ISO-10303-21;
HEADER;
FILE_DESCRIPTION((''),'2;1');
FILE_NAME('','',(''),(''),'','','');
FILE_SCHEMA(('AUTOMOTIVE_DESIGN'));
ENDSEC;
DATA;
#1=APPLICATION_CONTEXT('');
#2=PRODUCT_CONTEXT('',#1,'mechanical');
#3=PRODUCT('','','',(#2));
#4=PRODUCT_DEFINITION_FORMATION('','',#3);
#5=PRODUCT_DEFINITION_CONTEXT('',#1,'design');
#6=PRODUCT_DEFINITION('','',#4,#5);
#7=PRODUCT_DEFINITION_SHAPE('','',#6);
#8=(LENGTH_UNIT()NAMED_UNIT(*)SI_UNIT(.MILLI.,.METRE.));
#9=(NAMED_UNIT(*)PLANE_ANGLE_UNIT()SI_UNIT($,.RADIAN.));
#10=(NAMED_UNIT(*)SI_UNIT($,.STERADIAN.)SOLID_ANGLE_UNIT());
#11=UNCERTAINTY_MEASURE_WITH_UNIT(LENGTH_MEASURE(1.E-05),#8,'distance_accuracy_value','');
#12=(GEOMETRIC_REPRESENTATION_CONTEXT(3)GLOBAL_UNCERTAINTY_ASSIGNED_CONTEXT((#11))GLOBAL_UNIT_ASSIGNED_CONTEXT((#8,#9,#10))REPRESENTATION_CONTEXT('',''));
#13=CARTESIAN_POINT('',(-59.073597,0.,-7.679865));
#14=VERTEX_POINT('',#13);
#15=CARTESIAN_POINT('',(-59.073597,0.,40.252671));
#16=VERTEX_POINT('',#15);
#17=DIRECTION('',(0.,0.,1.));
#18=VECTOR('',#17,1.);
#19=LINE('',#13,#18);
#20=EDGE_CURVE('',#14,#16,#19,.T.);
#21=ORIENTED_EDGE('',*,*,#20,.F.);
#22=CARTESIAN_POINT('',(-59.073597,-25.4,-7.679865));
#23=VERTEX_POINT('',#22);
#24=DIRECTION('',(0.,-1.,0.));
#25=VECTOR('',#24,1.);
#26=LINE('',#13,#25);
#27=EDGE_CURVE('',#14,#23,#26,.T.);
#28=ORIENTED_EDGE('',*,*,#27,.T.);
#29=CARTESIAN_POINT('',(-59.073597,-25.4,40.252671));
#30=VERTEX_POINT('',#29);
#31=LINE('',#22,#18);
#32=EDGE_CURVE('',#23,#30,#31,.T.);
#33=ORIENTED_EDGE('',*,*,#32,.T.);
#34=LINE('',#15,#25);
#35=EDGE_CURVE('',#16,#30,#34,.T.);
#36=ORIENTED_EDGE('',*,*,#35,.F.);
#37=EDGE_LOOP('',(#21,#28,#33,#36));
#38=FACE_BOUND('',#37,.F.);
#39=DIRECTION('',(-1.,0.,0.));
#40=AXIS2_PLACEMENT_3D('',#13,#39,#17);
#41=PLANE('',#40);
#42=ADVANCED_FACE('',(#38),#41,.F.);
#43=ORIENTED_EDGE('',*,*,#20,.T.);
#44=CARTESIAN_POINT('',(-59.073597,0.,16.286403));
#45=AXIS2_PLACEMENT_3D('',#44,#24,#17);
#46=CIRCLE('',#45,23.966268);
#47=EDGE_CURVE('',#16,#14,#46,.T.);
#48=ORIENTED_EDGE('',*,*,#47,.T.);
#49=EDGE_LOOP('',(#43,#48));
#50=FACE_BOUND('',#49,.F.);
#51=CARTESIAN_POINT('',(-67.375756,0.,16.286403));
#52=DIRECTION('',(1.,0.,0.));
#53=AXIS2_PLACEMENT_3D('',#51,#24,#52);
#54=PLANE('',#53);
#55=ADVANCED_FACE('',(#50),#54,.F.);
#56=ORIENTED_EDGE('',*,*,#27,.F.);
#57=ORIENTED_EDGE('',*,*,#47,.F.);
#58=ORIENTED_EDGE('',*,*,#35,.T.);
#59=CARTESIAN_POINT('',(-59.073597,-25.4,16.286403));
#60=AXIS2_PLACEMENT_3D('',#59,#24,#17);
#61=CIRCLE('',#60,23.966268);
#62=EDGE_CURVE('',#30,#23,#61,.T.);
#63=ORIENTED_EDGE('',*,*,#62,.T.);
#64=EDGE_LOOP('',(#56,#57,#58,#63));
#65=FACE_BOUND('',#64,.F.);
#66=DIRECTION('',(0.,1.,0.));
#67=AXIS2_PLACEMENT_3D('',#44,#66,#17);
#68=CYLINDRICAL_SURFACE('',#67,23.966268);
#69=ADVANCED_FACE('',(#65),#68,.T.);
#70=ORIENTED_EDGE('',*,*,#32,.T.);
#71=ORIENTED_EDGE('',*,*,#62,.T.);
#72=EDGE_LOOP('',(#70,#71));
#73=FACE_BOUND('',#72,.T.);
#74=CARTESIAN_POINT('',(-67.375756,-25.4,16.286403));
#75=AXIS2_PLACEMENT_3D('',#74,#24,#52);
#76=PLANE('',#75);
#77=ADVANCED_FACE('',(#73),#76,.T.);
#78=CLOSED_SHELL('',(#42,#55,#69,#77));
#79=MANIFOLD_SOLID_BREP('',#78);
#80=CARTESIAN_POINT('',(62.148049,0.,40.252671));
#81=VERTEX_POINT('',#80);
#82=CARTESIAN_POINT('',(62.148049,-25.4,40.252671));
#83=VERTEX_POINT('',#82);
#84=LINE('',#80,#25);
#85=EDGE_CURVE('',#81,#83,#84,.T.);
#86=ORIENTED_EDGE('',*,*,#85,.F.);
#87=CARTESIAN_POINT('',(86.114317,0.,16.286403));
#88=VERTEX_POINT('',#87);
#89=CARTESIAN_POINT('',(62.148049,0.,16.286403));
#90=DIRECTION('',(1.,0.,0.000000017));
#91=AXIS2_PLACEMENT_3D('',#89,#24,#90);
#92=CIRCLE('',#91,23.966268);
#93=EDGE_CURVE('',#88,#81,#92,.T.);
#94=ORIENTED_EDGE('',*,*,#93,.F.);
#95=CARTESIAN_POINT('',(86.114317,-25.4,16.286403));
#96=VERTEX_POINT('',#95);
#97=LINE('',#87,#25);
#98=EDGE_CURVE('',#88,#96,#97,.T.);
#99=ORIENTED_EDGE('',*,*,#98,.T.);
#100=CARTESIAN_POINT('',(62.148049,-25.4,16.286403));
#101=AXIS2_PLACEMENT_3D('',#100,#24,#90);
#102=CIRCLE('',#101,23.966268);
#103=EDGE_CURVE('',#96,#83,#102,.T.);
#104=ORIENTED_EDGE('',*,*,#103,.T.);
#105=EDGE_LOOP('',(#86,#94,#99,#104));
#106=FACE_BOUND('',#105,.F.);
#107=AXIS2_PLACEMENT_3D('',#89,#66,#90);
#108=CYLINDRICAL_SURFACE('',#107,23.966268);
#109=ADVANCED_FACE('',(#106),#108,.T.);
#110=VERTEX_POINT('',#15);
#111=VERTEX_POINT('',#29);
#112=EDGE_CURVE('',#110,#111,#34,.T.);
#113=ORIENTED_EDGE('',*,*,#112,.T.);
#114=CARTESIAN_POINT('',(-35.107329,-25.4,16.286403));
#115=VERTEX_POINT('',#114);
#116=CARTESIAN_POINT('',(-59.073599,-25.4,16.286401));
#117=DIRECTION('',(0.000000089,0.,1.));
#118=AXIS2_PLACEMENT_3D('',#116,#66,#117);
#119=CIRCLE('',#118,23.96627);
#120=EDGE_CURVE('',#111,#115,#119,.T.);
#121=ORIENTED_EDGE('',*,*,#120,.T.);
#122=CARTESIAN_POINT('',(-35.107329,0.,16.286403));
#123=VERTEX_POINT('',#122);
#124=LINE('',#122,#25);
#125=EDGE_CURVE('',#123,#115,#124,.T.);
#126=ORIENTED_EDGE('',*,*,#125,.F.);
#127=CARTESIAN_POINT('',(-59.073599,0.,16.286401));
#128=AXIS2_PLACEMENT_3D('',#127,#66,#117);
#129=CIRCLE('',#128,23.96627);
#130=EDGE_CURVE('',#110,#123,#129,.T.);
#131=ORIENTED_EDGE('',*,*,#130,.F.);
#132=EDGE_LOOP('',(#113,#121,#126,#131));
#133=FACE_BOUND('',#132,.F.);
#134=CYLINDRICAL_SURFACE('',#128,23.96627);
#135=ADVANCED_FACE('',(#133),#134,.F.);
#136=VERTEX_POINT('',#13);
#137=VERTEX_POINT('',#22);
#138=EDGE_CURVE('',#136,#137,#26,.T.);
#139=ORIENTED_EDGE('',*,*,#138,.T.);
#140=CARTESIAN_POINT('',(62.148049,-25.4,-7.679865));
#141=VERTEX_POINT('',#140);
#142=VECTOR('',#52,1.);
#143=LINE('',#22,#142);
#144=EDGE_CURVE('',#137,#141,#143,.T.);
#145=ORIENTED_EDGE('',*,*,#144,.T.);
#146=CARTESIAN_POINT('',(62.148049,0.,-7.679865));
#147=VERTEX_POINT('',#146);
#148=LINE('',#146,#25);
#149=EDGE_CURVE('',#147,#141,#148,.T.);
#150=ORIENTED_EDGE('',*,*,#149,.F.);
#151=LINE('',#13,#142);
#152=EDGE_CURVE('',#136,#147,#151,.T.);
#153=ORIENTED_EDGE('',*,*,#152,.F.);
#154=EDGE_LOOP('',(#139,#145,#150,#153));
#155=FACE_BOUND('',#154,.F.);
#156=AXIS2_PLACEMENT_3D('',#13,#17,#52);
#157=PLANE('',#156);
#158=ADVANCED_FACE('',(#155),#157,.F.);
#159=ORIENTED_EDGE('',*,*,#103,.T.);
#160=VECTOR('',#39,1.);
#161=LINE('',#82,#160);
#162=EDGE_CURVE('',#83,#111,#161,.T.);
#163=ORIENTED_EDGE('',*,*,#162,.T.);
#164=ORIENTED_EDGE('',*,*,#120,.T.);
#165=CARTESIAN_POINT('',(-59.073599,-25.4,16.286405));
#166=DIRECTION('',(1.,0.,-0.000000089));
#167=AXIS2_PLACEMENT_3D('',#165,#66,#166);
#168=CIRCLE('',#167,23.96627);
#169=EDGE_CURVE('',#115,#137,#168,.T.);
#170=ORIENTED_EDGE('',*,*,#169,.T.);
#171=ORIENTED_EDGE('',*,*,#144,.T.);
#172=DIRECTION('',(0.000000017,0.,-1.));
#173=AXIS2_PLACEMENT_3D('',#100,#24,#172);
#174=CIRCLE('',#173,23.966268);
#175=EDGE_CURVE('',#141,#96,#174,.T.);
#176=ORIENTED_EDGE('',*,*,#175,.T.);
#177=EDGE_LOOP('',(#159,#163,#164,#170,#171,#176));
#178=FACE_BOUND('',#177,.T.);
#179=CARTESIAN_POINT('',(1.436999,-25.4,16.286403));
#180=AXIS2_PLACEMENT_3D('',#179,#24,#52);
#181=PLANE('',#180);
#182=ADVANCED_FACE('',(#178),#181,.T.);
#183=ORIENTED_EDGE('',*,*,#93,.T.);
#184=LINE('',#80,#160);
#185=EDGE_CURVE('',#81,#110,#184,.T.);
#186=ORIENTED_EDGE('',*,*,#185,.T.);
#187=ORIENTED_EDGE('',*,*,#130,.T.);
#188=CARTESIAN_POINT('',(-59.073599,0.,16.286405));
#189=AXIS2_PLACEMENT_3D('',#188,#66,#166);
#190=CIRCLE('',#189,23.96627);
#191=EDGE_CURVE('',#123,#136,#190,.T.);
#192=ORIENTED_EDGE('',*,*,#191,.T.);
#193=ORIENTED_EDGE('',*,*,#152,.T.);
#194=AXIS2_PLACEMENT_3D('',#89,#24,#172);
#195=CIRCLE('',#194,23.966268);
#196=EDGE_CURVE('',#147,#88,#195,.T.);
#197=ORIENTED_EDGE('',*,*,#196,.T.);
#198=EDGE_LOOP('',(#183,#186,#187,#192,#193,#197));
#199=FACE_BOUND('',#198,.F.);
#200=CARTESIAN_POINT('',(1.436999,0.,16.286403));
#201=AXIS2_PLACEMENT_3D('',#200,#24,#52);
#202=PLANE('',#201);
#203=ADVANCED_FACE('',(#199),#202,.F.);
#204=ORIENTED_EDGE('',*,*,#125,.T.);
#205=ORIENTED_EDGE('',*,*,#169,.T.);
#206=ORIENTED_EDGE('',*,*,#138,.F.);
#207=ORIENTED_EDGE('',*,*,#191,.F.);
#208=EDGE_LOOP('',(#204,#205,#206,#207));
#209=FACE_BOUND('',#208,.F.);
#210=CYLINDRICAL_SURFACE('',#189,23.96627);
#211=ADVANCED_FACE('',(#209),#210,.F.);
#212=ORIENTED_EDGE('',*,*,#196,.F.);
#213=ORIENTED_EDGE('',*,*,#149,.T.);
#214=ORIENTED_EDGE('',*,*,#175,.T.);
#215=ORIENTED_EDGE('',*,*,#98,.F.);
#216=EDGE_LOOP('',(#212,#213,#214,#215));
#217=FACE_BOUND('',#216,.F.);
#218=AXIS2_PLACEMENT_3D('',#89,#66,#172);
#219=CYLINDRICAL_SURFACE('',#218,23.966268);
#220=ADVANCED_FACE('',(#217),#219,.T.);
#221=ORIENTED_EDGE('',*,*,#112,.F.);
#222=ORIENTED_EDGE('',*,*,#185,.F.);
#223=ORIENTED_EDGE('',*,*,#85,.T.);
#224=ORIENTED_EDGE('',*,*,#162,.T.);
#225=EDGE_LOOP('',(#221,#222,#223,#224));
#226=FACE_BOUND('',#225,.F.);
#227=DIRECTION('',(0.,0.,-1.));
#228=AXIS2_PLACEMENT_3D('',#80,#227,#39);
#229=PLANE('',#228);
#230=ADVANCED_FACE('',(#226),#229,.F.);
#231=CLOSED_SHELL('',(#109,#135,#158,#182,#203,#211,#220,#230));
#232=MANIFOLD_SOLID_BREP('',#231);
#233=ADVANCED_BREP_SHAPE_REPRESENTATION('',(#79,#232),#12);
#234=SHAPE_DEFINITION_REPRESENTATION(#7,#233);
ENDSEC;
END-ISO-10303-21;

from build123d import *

# Parameters (mm, degrees)
F0_DEPTH = 25.4


with BuildPart() as f0:
    # F1 (on Front) → F0 (new body)
    with BuildSketch(Plane.XZ):
        with BuildLine():
            ThreePointArc((-35.107329, 16.286403), (-42.126887, -0.660307), (-59.073597, -7.679865))
            Line((-59.073597, -7.679865), (62.148049, -7.679865))
            ThreePointArc((62.148049, -7.679865), (38.181782, 16.286403), (62.148049, 40.252671))
            Line((62.148049, 40.252671), (-59.073597, 40.252671))
            ThreePointArc((-59.073597, 40.252671), (-42.126887, 33.233113), (-35.107329, 16.286403))
        make_face()
        with BuildLine():
            ThreePointArc((62.148049, 40.252671), (38.181782, 16.286403), (62.148049, -7.679865))
            Line((62.148049, -7.679865), (62.148049, 40.252671))
        make_face()
        with BuildLine():
            Line((62.148049, 40.252671), (62.148049, -7.679865))
            ThreePointArc((62.148049, -7.679865), (79.09476, -0.660307), (86.114317, 16.286403))
            ThreePointArc((86.114317, 16.286403), (79.09476, 33.233113), (62.148049, 40.252671))
        make_face()
        with BuildLine():
            ThreePointArc((-59.073597, 40.252671), (-83.039865, 16.286403), (-59.073597, -7.679865))
            Line((-59.073597, -7.679865), (-59.073597, 40.252671))
        make_face()
    extrude(amount=F0_DEPTH)


solid = f0.part
